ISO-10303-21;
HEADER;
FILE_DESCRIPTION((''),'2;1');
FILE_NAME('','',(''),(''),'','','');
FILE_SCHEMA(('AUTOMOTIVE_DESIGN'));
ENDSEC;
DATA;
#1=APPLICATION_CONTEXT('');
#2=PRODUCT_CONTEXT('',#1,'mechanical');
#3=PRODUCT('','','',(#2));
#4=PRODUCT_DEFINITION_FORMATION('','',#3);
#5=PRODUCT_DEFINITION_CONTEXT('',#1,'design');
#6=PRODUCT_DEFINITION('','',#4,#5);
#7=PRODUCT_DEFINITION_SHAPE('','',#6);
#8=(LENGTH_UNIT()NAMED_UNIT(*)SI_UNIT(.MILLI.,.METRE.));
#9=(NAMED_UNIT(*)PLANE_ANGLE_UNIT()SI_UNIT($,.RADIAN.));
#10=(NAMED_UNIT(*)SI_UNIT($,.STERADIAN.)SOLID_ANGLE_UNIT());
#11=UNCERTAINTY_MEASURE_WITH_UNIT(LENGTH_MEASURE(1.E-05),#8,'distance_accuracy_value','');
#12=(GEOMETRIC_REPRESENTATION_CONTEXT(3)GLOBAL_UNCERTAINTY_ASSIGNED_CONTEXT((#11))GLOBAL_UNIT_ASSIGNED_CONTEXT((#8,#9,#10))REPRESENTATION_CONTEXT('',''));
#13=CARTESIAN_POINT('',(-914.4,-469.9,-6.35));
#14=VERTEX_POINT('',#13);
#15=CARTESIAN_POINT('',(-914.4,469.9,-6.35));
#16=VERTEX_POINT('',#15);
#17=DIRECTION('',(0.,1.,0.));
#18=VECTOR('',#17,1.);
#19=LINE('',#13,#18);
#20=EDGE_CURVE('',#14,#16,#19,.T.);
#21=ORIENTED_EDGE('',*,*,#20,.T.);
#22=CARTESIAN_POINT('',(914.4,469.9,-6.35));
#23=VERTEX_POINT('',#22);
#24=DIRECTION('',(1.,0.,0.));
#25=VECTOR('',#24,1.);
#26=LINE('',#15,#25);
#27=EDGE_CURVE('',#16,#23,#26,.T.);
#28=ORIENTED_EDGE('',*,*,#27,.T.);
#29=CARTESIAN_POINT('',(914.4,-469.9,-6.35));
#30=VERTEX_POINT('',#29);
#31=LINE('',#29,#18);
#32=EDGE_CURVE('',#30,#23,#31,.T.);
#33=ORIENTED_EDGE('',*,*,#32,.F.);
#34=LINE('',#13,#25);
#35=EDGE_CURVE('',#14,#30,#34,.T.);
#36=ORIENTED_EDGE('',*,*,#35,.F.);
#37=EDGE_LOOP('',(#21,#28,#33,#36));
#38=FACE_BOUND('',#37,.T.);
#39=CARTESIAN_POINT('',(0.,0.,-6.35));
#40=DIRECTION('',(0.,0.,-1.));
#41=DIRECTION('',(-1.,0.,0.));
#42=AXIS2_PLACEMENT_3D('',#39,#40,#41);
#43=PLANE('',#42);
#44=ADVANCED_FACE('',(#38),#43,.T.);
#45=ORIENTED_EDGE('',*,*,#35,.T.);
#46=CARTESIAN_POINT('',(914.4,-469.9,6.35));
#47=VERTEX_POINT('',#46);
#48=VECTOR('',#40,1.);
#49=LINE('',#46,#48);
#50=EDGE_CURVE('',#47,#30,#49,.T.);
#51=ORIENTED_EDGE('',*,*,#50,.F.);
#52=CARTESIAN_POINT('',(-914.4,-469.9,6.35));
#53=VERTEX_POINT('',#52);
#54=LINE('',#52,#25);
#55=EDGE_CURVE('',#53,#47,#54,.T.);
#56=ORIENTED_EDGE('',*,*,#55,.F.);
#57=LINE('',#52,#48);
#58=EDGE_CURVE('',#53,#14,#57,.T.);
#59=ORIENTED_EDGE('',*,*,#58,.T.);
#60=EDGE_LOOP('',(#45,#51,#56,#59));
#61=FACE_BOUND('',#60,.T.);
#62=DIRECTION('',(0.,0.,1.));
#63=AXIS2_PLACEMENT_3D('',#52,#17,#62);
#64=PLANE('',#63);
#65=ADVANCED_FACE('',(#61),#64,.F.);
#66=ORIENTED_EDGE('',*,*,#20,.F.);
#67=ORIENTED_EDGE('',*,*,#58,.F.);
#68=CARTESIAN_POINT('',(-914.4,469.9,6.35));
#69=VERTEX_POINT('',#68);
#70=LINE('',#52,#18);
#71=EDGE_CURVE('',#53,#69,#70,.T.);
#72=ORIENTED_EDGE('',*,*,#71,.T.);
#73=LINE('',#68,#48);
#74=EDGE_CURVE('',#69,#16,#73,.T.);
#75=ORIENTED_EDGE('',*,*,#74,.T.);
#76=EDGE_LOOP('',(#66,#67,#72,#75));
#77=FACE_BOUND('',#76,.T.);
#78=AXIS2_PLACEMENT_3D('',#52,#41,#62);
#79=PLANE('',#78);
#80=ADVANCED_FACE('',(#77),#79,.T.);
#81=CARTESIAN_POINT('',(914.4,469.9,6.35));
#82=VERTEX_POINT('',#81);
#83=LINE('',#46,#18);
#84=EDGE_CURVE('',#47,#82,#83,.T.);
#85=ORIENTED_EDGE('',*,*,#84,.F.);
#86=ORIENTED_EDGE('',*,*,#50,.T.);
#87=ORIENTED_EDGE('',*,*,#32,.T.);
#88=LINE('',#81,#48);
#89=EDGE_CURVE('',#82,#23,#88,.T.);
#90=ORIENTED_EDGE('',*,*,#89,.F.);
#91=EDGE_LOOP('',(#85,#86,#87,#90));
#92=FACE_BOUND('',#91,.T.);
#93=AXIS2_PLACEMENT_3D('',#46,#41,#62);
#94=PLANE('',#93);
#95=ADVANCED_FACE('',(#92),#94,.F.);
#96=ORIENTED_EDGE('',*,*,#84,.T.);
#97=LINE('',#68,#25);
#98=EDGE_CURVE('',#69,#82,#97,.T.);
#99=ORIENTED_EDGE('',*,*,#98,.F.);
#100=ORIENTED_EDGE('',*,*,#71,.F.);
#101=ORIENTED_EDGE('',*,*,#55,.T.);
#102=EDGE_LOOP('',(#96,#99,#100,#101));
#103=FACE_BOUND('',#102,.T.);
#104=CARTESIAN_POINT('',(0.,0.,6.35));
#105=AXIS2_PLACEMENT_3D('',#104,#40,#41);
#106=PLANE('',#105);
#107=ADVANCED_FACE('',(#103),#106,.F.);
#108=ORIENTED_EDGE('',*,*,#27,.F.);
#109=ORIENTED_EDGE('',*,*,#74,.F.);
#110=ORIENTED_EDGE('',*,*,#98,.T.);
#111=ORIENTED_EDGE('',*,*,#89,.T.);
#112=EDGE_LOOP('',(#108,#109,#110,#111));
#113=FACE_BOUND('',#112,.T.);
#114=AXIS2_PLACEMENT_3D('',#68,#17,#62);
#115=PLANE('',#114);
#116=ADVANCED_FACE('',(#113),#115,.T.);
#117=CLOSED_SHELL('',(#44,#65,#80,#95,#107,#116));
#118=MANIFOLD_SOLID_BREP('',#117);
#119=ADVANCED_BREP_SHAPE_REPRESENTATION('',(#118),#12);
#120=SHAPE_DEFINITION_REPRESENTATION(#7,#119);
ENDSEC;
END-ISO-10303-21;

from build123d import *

# Parameters (mm, degrees)
SKETCH1_W           = 1828.8
SKETCH1_H           = 939.8
BOSS_EXTRUDE1_DEPTH = 6.35


with BuildPart() as part:
    # Sketch1 → Boss-Extrude1 (new, symmetric)
    with BuildSketch(Plane.XY):
        Rectangle(SKETCH1_W, SKETCH1_H)
    extrude(amount=BOSS_EXTRUDE1_DEPTH, both=True)


solid = part.part
